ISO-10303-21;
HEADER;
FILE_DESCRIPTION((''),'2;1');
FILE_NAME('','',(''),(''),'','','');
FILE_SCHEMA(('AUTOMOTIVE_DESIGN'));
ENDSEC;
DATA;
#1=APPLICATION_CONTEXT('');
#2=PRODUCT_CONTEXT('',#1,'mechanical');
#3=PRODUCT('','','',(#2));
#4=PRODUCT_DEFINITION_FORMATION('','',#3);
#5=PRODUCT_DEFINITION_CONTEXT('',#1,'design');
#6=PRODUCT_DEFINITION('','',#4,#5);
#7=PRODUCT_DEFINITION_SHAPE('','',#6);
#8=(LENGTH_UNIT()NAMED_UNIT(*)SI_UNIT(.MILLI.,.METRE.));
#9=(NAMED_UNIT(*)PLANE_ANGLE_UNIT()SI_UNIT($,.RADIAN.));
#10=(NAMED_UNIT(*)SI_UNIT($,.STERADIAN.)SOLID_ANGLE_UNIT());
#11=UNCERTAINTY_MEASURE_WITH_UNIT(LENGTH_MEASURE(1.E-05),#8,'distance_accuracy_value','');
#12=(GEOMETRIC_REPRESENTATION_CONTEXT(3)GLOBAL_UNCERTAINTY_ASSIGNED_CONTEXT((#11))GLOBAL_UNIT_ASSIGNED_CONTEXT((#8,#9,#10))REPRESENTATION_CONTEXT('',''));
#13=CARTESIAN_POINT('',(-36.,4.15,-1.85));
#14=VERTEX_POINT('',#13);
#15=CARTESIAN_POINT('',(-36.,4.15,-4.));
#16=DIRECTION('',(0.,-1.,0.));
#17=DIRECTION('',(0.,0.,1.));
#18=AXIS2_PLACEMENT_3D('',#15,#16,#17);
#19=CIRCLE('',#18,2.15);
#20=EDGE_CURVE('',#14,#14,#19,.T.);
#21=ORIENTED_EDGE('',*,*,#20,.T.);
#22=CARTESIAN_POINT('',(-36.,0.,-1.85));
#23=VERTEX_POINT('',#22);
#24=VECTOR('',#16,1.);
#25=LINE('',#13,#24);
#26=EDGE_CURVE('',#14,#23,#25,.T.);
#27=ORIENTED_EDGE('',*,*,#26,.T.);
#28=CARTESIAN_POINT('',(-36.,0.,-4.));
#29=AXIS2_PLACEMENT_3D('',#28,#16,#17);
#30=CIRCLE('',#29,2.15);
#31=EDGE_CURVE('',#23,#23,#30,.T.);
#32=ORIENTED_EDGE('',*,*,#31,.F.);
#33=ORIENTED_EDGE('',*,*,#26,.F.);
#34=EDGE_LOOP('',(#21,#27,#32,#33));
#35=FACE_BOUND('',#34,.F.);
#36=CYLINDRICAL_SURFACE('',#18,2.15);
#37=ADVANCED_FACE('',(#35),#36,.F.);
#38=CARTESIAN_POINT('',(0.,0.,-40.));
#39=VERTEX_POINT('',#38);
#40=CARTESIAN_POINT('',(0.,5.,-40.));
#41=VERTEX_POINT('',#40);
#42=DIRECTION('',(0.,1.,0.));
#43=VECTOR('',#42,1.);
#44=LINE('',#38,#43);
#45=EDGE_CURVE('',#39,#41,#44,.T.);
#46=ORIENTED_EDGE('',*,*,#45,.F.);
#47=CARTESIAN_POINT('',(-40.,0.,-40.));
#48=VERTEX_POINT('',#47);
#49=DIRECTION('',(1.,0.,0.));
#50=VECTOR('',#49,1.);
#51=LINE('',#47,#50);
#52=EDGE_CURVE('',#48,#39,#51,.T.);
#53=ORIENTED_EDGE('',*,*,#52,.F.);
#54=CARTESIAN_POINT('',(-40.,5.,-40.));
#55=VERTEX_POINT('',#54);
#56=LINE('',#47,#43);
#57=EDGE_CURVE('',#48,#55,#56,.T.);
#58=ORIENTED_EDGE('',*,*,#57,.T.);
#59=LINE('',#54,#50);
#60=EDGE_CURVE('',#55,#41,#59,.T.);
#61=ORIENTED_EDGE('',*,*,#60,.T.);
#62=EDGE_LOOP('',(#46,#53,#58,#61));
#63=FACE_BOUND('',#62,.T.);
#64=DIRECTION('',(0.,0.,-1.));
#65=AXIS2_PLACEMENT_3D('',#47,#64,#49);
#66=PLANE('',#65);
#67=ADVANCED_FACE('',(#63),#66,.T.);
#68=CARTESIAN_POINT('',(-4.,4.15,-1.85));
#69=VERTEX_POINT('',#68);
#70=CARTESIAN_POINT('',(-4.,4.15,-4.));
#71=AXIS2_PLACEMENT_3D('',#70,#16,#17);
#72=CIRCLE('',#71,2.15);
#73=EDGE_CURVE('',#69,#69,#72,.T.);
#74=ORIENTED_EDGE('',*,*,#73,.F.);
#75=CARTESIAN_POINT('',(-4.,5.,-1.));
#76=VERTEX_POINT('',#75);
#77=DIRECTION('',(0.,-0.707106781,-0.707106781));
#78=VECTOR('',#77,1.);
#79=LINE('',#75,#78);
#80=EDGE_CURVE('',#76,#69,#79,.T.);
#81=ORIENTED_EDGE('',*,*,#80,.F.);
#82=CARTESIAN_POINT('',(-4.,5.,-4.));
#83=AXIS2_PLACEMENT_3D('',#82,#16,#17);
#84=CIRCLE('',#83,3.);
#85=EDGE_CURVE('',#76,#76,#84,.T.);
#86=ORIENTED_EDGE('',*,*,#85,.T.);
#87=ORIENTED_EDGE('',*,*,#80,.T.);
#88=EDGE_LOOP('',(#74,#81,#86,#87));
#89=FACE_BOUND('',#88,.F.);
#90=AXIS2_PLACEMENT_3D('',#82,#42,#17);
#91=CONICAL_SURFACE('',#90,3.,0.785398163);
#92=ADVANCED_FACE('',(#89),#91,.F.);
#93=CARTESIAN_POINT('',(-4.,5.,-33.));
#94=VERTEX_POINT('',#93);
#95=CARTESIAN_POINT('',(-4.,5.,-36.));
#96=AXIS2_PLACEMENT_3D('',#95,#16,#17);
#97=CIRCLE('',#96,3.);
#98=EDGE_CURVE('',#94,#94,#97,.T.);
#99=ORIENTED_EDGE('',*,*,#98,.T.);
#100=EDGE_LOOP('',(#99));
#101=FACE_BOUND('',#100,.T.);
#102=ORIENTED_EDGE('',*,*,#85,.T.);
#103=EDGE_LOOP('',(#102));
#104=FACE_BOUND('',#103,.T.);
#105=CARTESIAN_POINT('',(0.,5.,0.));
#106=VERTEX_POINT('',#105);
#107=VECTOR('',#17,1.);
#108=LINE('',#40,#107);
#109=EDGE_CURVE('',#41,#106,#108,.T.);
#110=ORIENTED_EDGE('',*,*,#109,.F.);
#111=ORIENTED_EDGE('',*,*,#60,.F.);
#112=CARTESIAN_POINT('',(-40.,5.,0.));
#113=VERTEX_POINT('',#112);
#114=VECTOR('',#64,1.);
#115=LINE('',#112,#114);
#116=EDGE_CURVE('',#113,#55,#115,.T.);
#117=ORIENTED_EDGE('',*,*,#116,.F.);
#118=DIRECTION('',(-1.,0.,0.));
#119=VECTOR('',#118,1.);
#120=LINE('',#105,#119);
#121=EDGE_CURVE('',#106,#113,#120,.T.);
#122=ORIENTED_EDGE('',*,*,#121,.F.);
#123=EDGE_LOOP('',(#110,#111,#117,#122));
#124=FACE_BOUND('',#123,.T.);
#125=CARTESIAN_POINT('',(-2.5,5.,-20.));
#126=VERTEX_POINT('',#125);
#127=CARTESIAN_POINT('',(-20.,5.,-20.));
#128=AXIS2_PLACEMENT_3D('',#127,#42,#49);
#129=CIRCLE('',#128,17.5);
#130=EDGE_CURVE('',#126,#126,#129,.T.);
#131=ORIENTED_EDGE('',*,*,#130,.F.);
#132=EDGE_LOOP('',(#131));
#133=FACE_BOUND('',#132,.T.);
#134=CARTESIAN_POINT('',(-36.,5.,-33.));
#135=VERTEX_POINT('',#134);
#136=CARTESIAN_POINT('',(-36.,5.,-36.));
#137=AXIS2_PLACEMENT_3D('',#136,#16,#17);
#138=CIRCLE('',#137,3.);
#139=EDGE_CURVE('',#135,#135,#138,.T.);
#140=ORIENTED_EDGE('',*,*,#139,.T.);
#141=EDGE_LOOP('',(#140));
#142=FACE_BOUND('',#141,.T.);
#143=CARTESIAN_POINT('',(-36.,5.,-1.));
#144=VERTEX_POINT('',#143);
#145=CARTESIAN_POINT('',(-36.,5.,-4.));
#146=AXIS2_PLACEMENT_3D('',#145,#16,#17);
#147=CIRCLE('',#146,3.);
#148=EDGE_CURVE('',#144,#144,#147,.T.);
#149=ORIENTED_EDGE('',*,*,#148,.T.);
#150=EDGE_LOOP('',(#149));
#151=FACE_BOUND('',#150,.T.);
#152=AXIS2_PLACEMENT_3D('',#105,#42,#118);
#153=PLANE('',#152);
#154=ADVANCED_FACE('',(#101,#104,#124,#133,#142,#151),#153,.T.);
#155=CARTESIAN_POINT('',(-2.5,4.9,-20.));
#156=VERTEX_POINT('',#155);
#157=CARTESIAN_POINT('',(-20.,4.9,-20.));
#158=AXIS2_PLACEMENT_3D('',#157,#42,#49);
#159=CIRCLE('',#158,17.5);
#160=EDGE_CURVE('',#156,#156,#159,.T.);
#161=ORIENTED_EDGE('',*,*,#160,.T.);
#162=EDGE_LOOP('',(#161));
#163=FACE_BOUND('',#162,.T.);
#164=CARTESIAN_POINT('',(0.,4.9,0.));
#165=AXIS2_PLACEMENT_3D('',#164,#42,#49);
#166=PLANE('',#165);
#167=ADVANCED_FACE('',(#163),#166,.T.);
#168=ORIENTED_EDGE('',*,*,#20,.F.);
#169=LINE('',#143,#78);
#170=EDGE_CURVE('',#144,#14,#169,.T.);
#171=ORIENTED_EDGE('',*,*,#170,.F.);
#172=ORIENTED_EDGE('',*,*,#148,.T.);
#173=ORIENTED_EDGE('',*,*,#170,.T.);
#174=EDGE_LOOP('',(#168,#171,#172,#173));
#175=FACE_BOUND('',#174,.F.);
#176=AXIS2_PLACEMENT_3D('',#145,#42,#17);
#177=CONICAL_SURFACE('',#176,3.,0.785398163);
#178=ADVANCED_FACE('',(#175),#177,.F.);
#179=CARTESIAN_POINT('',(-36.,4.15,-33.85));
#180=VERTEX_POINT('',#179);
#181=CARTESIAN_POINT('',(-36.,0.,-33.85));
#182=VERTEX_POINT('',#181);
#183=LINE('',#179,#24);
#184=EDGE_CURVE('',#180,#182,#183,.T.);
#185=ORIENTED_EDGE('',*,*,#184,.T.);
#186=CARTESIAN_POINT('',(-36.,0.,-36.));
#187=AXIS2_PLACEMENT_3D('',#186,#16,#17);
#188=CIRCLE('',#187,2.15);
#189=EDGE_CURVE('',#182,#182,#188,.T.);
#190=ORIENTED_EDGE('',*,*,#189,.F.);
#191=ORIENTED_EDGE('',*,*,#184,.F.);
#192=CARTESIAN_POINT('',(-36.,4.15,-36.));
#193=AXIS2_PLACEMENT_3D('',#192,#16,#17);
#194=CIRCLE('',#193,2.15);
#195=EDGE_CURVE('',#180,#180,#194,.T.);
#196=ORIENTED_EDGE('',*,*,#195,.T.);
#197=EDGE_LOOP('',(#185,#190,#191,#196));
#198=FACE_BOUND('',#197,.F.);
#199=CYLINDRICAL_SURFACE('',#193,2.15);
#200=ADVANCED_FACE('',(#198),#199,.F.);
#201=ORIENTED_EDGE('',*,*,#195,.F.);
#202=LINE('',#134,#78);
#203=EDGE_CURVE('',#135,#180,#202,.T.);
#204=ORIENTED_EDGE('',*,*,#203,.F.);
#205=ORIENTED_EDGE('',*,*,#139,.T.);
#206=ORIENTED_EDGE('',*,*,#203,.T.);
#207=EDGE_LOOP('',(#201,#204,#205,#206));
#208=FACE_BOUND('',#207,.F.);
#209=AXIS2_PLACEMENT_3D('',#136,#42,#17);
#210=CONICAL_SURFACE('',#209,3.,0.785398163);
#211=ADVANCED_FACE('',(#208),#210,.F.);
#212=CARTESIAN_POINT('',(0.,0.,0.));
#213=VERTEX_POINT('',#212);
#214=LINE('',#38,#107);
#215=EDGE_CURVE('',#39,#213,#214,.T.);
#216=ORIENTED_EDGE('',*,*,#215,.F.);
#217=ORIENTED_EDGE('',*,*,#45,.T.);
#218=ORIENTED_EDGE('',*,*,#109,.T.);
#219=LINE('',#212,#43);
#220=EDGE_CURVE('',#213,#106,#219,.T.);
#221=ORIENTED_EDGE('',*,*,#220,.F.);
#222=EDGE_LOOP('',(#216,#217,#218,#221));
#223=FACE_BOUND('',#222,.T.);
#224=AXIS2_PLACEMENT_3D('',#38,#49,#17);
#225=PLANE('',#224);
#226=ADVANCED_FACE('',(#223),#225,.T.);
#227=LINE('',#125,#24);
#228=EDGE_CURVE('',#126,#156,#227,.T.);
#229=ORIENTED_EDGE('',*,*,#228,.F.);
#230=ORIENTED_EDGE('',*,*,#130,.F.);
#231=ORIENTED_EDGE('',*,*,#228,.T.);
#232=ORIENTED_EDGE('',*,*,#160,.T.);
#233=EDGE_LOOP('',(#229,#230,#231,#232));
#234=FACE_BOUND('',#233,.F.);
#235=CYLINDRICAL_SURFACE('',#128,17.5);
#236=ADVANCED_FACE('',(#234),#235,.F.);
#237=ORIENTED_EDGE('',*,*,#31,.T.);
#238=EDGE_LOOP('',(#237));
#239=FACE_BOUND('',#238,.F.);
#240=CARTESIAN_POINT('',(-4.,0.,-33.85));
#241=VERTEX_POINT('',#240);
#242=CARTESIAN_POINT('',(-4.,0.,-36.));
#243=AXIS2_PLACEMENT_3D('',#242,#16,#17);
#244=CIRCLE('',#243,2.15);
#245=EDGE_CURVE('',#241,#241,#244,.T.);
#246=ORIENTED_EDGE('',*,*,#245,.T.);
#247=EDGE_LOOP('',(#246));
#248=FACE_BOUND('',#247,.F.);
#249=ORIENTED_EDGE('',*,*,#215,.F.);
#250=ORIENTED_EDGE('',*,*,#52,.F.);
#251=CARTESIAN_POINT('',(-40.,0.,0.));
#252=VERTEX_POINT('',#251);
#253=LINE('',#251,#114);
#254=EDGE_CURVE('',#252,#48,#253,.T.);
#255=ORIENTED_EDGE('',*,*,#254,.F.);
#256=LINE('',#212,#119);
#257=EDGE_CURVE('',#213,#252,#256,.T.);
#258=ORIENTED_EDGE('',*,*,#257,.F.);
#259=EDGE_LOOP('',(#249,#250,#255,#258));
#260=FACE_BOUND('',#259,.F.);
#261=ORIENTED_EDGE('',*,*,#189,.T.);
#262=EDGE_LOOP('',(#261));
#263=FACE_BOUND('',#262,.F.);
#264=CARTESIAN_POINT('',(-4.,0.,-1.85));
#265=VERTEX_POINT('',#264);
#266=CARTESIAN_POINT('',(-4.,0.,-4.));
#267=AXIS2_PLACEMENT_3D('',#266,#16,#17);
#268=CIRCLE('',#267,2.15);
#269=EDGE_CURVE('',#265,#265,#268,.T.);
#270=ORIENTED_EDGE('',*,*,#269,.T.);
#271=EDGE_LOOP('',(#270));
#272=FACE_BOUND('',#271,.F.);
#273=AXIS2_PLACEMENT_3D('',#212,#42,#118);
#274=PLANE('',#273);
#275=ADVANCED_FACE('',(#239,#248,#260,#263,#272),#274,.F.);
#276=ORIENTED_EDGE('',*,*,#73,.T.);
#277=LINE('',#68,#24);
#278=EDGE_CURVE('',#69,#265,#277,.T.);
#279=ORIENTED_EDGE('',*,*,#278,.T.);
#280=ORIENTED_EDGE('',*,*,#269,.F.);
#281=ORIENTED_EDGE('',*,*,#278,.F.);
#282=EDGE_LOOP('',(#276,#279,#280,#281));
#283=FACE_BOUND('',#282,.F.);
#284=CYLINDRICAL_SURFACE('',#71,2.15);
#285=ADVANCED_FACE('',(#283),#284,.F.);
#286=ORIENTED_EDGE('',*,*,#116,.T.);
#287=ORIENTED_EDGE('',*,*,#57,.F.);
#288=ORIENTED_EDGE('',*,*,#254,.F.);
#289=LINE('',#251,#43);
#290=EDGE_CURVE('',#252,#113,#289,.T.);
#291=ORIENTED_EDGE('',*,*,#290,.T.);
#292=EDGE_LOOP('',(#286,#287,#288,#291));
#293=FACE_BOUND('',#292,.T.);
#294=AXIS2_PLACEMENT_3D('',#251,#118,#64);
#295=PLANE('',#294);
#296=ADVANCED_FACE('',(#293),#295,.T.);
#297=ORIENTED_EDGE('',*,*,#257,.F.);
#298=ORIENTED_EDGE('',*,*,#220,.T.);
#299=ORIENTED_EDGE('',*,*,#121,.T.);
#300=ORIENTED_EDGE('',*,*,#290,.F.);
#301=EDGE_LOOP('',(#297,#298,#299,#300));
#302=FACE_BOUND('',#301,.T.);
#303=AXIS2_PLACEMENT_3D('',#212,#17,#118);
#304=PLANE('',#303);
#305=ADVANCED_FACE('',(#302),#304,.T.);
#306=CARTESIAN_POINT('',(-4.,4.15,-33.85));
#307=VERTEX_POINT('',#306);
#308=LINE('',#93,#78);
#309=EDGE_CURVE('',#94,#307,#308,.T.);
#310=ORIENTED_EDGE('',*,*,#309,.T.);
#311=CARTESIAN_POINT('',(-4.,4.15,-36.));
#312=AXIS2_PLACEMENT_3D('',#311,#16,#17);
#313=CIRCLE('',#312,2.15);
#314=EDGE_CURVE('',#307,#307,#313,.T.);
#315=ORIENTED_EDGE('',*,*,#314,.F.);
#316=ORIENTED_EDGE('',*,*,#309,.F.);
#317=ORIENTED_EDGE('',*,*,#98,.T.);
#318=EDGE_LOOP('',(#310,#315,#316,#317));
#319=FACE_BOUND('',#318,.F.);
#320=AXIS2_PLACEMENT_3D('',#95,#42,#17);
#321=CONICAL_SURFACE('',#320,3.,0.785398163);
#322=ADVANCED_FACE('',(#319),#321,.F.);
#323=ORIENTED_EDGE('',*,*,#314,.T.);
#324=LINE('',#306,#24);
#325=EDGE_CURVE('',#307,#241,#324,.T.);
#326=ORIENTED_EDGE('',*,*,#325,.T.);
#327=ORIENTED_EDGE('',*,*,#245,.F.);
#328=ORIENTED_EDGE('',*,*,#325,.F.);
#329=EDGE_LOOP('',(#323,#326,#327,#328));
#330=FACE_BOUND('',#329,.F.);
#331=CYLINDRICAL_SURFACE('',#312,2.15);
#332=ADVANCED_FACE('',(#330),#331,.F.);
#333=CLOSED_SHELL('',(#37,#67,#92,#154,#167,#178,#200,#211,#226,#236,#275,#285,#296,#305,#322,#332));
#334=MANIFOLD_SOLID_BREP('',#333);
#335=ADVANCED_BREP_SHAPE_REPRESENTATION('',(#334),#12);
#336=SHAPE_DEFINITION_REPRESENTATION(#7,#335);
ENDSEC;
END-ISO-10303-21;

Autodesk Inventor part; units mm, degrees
ref_plane "YZ Plane" through (0, 0, 0) normal (1, 0, 0) x (0, 1, 0)
ref_plane "XZ Plane" through (0, 0, 0) normal (0, 1, 0) x (-1, 0, 0)
ref_plane "XY Plane" through (0, 0, 0) normal (0, 0, 1) x (1, 0, 0)
sketch "Sketch1" plane through (0, 0, 0) normal (0, 1, 0) x (-1, 0, 0)
  line L0 (0, 0) -> (40, 0)
  line L1 (40, 0) -> (40, -40)
  line L2 (40, -40) -> (0, -40)
  line L3 (0, -40) -> (0, 0)
  dimension "d0" = 40
  dimension "d1" = 40
extrude "Extrusion1" add sketch "Sketch1" along normal blind 5
sketch "Sketch2" plane through (0, 5, 0) normal (0, 1, 0) x (1, 0, 0)
  line L0 (-40, 0) -> (0, 0) projected
  line L1 (0, 0) -> (0, 40) projected
  line L2 (0, 40) -> (-40, 40) projected
  line L3 (-40, 40) -> (-40, 0) projected
  point P0 (-4, 4)
  point P1 (-4, 36)
  point P2 (-36, 36)
  point P3 (-36, 4)
  dimension "d4" = 4
  dimension "d6" = 4
  dimension "d7" = 4
  dimension "d8" = 4
  dimension "d9" = 4
  dimension "d10" = 4
  dimension "d11" = 4
  dimension "d12" = 4
hole "Hole1" at (-4, 5, -4) at (-4, 5, -36) at (-36, 5, -36) at (-36, 5, -4) direction (0, -1, 0) diameter 4.3 end through all countersink diameter 6 countersink angle 90
sketch "Sketch3" plane through (0, 5, 0) normal (0, 1, 0) x (1, 0, 0)
  circle A0 centre (-20, 20) radius 17.5
  line L0 (-40, 0) -> (0, 0) projected
  line L1 (-40, 40) -> (-40, 0) projected
  dimension "d21" = 20
  dimension "d22" = 20
  dimension "d23" = 35
extrude "Extrusion2" cut sketch "Sketch3" against normal blind 0.1
equation "\"d4\" = d11"
equation "\"d6\" = d11"
equation "\"d7\" = d11"
equation "\"d8\" = d11"
equation "\"d9\" = d11"
equation "\"d10\" = d11"
equation "\"d12\" = d11"
properties part number "Filter"
